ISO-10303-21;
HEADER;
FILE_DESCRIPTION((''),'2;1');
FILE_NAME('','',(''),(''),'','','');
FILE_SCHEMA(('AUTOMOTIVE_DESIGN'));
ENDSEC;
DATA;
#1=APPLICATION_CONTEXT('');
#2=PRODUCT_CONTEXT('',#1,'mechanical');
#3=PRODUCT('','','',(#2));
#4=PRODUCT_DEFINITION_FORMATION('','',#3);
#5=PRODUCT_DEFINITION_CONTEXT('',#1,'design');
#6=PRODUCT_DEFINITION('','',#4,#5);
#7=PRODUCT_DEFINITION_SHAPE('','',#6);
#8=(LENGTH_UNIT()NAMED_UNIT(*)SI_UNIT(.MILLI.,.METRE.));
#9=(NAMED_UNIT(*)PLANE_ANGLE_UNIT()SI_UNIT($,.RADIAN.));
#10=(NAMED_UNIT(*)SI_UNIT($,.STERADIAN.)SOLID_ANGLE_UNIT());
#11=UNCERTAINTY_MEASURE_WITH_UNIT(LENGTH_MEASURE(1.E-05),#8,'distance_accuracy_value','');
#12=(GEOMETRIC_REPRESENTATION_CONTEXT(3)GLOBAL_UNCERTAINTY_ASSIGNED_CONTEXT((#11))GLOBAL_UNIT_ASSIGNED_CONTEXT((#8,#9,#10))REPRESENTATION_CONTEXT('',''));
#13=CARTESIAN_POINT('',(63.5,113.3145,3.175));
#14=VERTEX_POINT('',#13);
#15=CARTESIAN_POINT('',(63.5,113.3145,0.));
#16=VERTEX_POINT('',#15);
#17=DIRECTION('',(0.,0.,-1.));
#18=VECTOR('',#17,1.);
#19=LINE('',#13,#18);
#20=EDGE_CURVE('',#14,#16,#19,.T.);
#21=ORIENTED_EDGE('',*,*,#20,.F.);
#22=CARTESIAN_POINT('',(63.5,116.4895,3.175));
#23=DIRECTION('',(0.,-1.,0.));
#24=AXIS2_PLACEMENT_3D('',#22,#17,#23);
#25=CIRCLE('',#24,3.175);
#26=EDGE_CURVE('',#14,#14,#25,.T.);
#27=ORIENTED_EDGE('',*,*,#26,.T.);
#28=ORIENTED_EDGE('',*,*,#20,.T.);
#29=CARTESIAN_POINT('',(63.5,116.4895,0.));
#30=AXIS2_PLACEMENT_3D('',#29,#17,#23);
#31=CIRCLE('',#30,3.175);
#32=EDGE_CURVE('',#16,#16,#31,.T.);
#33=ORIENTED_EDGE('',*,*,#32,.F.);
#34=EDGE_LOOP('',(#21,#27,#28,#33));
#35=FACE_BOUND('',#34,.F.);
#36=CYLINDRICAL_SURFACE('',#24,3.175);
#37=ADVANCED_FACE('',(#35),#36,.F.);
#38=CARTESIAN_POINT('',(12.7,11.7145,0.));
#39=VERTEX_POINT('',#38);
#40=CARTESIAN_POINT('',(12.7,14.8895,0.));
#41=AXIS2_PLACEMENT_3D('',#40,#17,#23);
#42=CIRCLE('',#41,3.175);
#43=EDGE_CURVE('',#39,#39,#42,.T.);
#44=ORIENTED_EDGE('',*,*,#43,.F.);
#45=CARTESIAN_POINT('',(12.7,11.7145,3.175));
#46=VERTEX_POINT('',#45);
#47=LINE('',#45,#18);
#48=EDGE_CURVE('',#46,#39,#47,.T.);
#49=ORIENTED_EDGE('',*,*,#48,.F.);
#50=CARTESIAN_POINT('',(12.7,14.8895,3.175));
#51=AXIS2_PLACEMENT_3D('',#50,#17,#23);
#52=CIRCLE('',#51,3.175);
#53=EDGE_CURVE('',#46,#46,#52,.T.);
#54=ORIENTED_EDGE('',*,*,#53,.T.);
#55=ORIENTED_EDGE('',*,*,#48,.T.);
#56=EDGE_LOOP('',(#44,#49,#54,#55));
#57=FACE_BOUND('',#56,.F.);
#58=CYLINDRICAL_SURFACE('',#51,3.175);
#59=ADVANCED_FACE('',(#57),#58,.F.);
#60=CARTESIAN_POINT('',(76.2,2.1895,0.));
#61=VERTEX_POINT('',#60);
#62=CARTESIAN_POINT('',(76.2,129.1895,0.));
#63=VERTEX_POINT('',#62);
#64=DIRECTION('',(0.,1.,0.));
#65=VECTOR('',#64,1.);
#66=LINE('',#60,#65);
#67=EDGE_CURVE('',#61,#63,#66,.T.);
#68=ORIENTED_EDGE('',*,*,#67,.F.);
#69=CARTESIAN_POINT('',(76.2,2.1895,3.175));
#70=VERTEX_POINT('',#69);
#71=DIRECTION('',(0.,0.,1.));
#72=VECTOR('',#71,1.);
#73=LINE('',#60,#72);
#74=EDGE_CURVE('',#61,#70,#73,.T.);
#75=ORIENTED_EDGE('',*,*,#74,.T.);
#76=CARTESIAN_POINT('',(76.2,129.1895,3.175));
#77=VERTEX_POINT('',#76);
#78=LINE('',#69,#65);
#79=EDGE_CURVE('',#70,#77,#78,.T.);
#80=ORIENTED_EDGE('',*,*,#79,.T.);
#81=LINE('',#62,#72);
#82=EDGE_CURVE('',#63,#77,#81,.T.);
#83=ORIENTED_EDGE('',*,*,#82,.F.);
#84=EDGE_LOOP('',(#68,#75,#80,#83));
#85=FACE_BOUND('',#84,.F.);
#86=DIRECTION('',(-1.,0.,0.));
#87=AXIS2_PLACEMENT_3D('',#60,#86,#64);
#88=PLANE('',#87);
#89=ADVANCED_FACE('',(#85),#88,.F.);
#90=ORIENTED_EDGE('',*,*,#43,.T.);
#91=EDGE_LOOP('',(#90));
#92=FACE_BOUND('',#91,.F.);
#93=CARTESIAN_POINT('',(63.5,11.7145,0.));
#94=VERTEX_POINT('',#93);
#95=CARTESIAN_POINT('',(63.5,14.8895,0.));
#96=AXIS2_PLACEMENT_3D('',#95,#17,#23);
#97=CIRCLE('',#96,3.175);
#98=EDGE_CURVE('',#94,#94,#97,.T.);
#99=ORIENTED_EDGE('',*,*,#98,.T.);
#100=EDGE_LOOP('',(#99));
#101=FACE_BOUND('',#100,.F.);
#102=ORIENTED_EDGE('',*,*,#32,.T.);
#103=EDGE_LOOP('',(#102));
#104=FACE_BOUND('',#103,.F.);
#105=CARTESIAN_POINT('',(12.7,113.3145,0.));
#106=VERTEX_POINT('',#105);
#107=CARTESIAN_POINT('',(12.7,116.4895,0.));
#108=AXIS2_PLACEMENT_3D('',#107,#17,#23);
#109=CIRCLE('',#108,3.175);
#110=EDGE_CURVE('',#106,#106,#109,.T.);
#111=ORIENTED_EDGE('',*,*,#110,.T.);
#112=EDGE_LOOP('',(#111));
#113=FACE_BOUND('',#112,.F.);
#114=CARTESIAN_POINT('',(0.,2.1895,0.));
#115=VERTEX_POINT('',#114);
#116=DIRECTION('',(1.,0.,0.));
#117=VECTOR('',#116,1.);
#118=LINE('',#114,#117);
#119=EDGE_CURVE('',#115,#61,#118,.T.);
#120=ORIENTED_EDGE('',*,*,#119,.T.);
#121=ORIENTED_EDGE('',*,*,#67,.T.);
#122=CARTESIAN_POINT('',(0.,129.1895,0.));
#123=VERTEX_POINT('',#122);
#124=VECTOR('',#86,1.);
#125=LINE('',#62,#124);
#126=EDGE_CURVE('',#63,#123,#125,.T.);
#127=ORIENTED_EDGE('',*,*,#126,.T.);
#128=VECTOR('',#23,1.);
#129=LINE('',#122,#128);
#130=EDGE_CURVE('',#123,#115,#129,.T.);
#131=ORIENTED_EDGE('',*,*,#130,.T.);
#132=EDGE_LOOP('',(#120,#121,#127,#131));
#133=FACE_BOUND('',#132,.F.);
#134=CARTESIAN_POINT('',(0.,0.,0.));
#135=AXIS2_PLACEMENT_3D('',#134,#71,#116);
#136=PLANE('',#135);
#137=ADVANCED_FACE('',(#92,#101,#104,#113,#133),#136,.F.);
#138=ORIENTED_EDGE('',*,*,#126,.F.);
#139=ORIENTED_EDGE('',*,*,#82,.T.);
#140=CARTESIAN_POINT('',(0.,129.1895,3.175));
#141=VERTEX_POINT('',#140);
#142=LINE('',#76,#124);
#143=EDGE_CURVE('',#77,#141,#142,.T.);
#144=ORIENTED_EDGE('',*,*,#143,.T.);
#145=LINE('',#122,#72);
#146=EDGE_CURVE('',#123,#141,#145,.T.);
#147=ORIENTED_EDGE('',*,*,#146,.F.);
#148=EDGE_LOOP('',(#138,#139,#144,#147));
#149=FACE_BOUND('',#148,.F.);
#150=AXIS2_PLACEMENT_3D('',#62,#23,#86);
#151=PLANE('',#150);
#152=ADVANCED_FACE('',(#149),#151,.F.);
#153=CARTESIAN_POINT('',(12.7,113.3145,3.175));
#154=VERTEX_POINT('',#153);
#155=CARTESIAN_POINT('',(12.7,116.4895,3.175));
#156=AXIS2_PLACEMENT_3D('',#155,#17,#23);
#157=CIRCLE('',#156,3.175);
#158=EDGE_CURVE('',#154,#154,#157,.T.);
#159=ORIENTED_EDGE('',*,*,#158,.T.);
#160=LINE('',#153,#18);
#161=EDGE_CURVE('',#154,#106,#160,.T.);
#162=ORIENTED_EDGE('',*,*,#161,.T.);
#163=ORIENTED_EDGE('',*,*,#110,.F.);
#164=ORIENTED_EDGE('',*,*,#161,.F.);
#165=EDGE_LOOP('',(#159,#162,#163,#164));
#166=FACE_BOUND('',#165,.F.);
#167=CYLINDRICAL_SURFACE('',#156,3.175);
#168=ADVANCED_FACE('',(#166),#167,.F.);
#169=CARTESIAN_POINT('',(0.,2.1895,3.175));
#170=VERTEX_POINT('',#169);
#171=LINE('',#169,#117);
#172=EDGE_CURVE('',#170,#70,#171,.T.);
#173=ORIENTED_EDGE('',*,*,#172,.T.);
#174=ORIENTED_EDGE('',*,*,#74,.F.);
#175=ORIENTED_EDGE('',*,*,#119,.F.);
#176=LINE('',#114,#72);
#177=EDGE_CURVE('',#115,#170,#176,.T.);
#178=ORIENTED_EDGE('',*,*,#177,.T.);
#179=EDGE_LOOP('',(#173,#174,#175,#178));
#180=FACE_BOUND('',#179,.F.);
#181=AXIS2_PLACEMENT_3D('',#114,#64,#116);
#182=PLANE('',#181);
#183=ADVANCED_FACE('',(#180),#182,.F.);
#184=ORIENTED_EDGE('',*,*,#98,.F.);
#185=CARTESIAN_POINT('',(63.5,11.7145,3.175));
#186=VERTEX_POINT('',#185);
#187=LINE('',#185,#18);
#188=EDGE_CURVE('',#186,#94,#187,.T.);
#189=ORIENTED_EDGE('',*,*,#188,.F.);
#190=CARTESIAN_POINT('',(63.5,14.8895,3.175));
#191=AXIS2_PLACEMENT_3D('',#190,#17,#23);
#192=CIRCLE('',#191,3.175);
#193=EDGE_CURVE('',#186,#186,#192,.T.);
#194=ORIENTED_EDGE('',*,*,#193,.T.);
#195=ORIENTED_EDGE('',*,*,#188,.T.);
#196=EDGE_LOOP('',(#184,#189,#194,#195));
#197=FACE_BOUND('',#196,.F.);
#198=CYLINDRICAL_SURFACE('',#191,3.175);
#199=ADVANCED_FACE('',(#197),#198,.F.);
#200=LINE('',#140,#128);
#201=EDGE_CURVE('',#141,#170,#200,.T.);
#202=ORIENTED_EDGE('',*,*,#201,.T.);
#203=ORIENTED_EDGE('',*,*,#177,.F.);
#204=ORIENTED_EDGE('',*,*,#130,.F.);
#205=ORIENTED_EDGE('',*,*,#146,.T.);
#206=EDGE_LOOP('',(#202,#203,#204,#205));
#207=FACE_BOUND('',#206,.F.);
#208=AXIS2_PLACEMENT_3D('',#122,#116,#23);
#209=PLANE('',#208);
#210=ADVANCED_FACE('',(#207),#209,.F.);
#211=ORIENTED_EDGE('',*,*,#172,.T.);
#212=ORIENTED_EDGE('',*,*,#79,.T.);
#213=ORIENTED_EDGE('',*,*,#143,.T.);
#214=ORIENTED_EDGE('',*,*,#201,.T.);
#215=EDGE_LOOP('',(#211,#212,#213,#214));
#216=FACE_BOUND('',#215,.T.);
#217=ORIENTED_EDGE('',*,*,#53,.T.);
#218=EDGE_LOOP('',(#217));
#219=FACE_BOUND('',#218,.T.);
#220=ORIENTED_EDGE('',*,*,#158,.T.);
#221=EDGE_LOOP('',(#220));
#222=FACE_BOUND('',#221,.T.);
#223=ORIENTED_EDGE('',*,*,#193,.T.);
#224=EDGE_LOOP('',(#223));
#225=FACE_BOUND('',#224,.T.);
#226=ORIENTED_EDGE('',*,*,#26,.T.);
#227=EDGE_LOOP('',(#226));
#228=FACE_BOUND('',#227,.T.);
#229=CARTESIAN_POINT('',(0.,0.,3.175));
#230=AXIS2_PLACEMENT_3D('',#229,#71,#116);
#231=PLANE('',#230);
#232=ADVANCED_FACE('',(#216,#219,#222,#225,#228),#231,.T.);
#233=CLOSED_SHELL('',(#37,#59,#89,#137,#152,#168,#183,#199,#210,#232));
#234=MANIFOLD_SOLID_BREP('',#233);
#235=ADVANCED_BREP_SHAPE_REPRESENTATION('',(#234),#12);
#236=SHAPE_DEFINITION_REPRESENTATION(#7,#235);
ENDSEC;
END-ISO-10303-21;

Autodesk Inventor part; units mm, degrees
ref_plane "YZ Plane" through (0, 0, 0) normal (1, 0, 0) x (0, 1, 0)
ref_plane "XZ Plane" through (0, 0, 0) normal (0, 1, 0) x (-1, 0, 0)
ref_plane "XY Plane" through (0, 0, 0) normal (0, 0, 1) x (1, 0, 0)
sketch "Sketch1" plane through (0, 0, 0) normal (0, 0, 1) x (1, 0, 0)
  line L0 (0, 2.1895) -> (76.2, 2.1895)
  line L1 (76.2, 2.1895) -> (76.2, 129.1895)
  line L2 (76.2, 129.1895) -> (0, 129.1895)
  line L3 (0, 129.1895) -> (0, 2.1895)
  point P0 (0, 0)
  dimension "d0" = 127
  dimension "d4" = 76.2
extrude "Extrusion1" add sketch "Sketch1" along normal blind 3.175
sketch "Sketch2" plane through (0, 0, 3.175) normal (0, 0, 1) x (1, 0, 0)
  line L0 (0, 2.1895) -> (76.2, 2.1895) projected
  line L1 (76.2, 2.1895) -> (76.2, 129.1895) projected
  line L2 (76.2, 129.1895) -> (0, 129.1895) projected
  line L3 (0, 129.1895) -> (0, 2.1895) projected
  point P0 (0, 0)
  point P1 (12.7, 116.4895)
  point P2 (63.5, 116.4895)
  point P3 (12.7, 14.8895)
  point P4 (63.5, 14.8895)
  dimension "d7" = 12.7
  dimension "d8" = 12.7
  dimension "d9" = 12.7
  dimension "d10" = 12.7
  dimension "d11" = 12.7
  dimension "d12" = 12.7
  dimension "d13" = 12.7
  dimension "d14" = 12.7
hole "Hole1" at (12.7, 116.4895, 3.175) at (63.5, 116.4895, 3.175) at (12.7, 14.8895, 3.175) at (63.5, 14.8895, 3.175) direction (0, 0, -1) diameter 6.35 end through all
properties part number "BackSuportPlate" material "Aluminum 6061"
